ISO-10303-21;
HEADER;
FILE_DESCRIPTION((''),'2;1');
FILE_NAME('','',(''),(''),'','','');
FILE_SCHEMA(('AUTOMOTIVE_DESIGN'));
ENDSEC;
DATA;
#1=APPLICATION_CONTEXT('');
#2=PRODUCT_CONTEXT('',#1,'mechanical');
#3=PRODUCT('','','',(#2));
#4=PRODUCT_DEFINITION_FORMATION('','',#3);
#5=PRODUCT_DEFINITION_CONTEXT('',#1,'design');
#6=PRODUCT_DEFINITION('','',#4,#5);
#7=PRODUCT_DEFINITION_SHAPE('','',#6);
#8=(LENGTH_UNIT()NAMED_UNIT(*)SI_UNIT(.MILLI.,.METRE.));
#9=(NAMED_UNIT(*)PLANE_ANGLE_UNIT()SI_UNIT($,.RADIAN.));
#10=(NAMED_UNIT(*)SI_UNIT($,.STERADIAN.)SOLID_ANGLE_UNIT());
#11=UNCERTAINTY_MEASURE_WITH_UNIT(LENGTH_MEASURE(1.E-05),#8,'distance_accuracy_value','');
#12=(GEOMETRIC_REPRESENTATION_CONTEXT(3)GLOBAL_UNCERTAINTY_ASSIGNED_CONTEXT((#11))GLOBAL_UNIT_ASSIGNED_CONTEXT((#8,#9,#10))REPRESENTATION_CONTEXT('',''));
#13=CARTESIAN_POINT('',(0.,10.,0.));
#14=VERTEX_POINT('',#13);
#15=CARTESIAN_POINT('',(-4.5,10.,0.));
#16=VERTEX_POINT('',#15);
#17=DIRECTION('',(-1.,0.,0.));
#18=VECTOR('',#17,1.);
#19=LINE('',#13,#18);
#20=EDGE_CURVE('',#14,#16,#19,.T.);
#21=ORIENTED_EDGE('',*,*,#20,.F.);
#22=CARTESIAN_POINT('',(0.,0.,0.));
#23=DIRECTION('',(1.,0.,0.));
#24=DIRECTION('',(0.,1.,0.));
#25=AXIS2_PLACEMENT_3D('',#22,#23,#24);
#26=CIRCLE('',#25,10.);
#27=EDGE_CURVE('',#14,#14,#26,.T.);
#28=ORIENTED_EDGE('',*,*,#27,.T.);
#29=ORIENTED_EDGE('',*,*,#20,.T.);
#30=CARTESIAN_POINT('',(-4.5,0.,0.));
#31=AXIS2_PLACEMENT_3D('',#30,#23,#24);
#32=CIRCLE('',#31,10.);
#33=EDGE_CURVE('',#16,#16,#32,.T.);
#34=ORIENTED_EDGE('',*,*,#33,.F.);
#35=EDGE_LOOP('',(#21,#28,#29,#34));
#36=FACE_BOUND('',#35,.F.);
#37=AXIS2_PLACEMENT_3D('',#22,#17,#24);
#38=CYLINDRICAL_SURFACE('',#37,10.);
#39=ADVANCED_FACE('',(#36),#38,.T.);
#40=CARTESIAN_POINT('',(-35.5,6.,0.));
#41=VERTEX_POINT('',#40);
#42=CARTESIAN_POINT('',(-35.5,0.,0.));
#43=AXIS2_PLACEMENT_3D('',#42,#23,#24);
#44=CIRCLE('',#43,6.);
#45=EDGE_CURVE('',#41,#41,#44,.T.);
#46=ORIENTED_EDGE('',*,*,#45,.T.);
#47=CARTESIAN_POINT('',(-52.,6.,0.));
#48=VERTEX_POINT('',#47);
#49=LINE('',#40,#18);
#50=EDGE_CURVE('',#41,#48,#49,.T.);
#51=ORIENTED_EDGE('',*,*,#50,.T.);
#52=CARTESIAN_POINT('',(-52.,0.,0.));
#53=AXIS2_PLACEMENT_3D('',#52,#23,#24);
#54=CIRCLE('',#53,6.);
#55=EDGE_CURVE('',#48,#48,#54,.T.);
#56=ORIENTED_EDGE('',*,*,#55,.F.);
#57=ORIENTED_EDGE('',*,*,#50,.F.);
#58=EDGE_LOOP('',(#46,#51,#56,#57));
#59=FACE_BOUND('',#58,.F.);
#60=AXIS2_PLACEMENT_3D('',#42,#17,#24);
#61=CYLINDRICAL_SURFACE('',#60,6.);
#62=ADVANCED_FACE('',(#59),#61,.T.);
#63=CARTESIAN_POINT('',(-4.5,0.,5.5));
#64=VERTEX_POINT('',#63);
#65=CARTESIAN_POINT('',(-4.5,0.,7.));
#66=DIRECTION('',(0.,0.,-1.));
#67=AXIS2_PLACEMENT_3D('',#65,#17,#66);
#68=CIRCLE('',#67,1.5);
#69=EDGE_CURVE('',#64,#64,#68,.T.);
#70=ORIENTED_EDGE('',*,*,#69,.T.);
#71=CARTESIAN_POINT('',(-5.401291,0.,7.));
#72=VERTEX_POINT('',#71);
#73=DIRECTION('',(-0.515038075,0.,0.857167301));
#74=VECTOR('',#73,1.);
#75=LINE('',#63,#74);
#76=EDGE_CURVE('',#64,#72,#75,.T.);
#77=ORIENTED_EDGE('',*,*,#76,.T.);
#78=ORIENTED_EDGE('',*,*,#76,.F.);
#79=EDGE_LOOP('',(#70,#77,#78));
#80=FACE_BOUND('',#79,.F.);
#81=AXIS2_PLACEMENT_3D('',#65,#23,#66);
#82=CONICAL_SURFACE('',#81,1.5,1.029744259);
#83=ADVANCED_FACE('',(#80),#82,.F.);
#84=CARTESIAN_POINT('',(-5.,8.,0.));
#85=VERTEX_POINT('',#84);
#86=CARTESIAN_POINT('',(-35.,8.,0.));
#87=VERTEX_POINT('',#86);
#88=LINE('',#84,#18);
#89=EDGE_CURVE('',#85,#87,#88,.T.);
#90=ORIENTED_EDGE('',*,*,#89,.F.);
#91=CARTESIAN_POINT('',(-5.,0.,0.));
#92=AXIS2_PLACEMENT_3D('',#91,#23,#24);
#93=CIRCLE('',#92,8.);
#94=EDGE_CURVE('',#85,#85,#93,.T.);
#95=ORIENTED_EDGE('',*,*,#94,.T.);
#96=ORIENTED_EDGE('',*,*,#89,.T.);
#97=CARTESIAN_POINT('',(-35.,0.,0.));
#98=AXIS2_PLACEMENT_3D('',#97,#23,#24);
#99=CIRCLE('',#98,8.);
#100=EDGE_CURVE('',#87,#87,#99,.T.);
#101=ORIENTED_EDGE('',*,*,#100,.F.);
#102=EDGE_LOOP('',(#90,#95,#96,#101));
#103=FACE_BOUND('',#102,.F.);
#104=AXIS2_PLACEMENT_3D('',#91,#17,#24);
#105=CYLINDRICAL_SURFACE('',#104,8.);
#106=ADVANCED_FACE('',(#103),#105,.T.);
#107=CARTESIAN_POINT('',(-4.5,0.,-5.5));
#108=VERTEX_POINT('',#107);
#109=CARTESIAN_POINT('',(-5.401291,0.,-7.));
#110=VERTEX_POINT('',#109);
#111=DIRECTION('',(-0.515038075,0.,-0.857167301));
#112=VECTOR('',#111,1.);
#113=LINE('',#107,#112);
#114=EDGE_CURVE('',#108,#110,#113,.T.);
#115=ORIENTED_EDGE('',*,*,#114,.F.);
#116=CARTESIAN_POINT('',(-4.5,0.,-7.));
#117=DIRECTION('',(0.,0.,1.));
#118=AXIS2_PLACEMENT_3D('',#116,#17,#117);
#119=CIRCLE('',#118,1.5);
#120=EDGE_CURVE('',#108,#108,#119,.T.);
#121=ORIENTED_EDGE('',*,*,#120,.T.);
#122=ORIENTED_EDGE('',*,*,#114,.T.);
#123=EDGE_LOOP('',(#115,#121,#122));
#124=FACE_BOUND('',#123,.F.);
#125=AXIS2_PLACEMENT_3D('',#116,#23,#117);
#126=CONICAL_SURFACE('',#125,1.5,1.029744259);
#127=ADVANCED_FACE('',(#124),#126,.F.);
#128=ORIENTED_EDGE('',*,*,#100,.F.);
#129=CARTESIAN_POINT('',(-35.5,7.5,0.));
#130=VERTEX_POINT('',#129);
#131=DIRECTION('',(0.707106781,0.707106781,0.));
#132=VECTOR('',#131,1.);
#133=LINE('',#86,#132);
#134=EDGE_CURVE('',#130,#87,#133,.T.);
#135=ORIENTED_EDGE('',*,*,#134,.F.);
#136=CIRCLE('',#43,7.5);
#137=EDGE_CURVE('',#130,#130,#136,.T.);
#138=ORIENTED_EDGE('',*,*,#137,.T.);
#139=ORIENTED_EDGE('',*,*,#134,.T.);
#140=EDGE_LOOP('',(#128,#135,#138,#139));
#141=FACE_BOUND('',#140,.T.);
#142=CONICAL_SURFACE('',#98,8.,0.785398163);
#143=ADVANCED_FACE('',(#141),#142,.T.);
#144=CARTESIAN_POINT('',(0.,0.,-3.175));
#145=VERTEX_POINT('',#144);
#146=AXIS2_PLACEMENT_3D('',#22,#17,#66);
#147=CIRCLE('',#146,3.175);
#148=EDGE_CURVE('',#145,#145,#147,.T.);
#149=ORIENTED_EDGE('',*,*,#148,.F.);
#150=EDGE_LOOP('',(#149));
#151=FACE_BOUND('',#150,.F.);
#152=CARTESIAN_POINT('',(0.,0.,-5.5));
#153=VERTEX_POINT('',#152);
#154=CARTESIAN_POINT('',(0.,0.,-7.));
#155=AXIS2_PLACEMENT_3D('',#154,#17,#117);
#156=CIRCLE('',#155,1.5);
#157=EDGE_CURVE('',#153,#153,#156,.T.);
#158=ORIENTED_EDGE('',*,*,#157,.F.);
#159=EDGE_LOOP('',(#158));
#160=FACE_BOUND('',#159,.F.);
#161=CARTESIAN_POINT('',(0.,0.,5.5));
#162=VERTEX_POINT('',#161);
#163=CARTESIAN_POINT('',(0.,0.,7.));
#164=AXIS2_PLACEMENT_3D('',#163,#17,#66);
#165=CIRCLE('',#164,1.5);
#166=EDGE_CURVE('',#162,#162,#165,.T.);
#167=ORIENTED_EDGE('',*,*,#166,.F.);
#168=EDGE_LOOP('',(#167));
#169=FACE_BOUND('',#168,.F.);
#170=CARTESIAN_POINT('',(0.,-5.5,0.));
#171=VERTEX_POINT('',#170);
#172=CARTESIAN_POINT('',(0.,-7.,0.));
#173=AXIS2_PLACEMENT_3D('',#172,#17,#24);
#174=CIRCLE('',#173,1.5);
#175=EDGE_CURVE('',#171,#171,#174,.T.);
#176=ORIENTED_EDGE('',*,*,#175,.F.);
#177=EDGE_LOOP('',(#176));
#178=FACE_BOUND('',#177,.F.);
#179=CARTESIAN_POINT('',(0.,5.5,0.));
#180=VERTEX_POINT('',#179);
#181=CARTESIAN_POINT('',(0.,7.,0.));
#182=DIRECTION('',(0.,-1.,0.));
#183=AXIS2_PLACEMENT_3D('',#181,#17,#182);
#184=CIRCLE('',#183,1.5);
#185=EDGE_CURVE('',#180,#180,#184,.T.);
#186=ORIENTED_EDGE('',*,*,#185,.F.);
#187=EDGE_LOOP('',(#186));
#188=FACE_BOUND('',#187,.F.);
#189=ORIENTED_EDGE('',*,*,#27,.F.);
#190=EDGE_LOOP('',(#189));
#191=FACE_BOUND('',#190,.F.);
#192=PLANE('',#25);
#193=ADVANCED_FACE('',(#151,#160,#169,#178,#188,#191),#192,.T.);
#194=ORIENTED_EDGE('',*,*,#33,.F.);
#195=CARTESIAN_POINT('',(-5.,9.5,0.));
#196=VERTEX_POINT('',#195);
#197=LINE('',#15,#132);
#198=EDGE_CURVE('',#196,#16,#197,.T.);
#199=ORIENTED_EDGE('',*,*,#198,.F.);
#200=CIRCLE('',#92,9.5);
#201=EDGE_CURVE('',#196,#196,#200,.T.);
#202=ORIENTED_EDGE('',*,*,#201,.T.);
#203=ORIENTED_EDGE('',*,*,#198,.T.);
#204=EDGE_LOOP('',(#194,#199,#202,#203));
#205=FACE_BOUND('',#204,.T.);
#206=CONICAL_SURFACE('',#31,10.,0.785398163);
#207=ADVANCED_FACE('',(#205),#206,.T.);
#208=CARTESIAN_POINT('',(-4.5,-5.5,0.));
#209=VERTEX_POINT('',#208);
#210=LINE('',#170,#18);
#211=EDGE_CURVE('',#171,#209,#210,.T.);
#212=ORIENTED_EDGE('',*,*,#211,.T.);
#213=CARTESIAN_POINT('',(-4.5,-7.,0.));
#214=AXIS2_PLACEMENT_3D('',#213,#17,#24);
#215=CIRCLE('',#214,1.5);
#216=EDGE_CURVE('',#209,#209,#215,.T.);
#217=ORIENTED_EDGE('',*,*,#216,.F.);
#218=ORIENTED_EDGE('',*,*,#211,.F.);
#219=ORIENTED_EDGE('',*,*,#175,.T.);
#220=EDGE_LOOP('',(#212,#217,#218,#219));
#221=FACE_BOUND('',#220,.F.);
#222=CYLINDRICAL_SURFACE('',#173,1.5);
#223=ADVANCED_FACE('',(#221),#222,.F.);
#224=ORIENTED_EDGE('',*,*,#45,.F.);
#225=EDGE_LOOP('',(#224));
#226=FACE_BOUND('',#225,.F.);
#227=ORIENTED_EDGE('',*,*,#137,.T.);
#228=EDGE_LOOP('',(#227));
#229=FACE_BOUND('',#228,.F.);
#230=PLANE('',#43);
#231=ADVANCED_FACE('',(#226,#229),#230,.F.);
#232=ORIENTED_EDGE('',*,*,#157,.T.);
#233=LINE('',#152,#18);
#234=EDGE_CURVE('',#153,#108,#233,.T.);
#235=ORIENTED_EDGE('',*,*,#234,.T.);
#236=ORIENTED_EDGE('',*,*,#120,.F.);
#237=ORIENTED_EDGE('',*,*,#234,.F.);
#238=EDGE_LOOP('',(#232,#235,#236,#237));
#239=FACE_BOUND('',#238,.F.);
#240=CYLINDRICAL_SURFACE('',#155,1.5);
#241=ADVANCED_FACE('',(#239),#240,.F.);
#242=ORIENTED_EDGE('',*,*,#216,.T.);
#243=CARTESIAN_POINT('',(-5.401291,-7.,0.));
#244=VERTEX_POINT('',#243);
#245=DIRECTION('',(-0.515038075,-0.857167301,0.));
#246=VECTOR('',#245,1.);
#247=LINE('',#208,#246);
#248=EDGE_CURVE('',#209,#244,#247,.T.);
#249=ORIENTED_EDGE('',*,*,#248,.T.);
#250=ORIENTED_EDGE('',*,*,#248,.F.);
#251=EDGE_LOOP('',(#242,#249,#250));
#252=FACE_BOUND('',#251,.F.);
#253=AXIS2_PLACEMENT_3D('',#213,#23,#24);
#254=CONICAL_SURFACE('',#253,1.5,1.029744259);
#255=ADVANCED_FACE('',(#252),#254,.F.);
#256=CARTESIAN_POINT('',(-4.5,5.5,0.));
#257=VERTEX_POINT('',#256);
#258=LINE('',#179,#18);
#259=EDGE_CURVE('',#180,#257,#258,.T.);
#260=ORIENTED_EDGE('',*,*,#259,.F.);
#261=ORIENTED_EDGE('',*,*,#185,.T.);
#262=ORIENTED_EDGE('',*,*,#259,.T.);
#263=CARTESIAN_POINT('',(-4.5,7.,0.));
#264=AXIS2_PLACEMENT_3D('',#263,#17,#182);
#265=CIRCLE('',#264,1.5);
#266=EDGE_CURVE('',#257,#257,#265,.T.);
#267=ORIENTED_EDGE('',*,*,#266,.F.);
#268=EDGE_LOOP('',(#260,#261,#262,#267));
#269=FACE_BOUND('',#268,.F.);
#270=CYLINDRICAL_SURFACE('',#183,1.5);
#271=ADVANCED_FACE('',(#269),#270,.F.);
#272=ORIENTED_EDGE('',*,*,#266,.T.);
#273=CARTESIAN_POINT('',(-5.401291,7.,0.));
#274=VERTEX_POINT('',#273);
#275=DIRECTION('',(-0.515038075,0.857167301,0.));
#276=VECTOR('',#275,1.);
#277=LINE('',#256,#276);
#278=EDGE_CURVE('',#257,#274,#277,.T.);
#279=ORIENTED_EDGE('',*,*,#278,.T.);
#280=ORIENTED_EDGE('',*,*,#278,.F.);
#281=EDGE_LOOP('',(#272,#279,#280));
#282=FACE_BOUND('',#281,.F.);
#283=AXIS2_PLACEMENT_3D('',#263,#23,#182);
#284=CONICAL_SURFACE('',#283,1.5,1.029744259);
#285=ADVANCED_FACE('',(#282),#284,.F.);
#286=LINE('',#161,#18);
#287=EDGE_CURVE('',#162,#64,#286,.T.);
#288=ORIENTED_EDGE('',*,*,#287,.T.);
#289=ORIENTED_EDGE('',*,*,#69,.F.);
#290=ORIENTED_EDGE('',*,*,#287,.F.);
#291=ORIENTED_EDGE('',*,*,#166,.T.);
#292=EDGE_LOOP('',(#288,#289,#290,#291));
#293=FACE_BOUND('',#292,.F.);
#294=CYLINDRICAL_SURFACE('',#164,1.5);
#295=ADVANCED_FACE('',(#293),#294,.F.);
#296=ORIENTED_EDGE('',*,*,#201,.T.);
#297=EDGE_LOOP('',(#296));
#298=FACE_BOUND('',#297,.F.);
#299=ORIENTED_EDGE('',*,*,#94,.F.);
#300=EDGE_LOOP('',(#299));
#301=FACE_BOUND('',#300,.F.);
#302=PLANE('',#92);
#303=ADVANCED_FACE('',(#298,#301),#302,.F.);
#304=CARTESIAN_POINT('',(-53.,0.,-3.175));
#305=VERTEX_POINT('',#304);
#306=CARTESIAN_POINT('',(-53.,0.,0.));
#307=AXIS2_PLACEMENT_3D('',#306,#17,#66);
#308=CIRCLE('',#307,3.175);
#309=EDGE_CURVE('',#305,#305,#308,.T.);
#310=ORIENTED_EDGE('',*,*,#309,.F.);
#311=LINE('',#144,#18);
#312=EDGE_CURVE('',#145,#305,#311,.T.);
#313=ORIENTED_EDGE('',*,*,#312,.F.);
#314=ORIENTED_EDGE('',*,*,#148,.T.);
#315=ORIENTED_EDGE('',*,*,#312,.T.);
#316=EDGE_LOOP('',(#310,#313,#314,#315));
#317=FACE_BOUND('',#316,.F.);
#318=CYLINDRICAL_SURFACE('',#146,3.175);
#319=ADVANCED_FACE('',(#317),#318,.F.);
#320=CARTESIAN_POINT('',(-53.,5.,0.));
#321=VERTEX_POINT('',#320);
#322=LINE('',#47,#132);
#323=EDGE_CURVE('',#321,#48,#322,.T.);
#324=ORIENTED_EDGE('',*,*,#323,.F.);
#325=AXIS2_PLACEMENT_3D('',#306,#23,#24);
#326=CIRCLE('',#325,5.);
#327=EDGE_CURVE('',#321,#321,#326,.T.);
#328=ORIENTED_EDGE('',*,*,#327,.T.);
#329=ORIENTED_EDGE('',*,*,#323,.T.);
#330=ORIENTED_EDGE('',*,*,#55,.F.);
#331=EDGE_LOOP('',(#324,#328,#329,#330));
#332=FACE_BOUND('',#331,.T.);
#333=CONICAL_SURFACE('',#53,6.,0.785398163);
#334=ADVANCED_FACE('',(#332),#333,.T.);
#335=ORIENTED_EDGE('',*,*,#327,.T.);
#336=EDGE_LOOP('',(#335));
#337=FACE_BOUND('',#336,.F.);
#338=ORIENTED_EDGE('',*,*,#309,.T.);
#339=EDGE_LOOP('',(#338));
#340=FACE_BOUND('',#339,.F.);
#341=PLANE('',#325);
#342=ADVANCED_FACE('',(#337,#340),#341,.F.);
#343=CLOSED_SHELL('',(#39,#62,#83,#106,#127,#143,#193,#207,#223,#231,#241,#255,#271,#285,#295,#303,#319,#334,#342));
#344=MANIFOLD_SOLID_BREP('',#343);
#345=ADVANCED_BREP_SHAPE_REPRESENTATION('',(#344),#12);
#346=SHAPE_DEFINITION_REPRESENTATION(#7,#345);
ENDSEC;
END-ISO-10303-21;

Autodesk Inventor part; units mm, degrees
ref_plane "YZ Plane" through (0, 0, 0) normal (1, 0, 0) x (0, 1, 0)
ref_plane "XZ Plane" through (0, 0, 0) normal (0, 1, 0) x (-1, 0, 0)
ref_plane "XY Plane" through (0, 0, 0) normal (0, 0, 1) x (1, 0, 0)
sketch "Sketch1" plane through (0, 0, 0) normal (0, 0, 1) x (1, 0, 0)
  line L0 (0, 0) -> (0, 10)
  line L1 (0, 10) -> (-5, 10)
  line L2 (-5, 10) -> (-5, 8)
  line L3 (-5, 8) -> (-35.5, 8)
  line L4 (-35.5, 8) -> (-35.5, 6)
  line L5 (-35.5, 6) -> (-53, 6)
  line L6 (-53, 6) -> (-53, 0)
  line L7 (-53, 0) -> (0, 0)
  dimension "d1" = 10
  dimension "d2" = 5
  dimension "d3" = 2
  dimension "d4" = 2
  dimension "d5" = 35.5
  dimension "d6" = 53
revolve "Revolution1" add sketch "Sketch1" angle 360 about axis through (-53, 0, 0) along (1, 0, 0)
thread "Thread1" size "M12x1.75" class "6g" standard "ISO Metric profile" length 16 offset 2
chamfer "Chamfer1" distance 1 angle 45 1 edges at (-53, -6, 0)
chamfer "Chamfer2" distance 0.5 angle 45 2 edges at (-35.5, -8, 0) (-5, -10, 0)
sketch "Sketch2" plane through (0, 0, 0) normal (1, 0, 0) x (0, 0, -1)
  circle A0 centre (0, 0) radius 7
  dimension "d17" = 14
hole "Hole1" at (0, 0, 0) direction (-1, 0, 0) diameter 6.35 end through all
sketch "Sketch3" plane through (0, 0, 0) normal (1, 0, 0) x (0, 0, -1)
  circle A0 centre (0, 0) radius 7
  line L0 (0, 0) -> (-7, 0)
  dimension "d25" = 14
hole "Hole2" at (0, 0, 7) direction (-1, 0, 0) diameter 3 depth 4.5 tip angle 118
pattern_circular "Circular Pattern1" count 4 over 360 about axis through (-60.075, 0, 0) along (1, 0, 0) of "Hole2"
properties part number "BronzeHollowScrew" material "Bronze, Soft Tin"
